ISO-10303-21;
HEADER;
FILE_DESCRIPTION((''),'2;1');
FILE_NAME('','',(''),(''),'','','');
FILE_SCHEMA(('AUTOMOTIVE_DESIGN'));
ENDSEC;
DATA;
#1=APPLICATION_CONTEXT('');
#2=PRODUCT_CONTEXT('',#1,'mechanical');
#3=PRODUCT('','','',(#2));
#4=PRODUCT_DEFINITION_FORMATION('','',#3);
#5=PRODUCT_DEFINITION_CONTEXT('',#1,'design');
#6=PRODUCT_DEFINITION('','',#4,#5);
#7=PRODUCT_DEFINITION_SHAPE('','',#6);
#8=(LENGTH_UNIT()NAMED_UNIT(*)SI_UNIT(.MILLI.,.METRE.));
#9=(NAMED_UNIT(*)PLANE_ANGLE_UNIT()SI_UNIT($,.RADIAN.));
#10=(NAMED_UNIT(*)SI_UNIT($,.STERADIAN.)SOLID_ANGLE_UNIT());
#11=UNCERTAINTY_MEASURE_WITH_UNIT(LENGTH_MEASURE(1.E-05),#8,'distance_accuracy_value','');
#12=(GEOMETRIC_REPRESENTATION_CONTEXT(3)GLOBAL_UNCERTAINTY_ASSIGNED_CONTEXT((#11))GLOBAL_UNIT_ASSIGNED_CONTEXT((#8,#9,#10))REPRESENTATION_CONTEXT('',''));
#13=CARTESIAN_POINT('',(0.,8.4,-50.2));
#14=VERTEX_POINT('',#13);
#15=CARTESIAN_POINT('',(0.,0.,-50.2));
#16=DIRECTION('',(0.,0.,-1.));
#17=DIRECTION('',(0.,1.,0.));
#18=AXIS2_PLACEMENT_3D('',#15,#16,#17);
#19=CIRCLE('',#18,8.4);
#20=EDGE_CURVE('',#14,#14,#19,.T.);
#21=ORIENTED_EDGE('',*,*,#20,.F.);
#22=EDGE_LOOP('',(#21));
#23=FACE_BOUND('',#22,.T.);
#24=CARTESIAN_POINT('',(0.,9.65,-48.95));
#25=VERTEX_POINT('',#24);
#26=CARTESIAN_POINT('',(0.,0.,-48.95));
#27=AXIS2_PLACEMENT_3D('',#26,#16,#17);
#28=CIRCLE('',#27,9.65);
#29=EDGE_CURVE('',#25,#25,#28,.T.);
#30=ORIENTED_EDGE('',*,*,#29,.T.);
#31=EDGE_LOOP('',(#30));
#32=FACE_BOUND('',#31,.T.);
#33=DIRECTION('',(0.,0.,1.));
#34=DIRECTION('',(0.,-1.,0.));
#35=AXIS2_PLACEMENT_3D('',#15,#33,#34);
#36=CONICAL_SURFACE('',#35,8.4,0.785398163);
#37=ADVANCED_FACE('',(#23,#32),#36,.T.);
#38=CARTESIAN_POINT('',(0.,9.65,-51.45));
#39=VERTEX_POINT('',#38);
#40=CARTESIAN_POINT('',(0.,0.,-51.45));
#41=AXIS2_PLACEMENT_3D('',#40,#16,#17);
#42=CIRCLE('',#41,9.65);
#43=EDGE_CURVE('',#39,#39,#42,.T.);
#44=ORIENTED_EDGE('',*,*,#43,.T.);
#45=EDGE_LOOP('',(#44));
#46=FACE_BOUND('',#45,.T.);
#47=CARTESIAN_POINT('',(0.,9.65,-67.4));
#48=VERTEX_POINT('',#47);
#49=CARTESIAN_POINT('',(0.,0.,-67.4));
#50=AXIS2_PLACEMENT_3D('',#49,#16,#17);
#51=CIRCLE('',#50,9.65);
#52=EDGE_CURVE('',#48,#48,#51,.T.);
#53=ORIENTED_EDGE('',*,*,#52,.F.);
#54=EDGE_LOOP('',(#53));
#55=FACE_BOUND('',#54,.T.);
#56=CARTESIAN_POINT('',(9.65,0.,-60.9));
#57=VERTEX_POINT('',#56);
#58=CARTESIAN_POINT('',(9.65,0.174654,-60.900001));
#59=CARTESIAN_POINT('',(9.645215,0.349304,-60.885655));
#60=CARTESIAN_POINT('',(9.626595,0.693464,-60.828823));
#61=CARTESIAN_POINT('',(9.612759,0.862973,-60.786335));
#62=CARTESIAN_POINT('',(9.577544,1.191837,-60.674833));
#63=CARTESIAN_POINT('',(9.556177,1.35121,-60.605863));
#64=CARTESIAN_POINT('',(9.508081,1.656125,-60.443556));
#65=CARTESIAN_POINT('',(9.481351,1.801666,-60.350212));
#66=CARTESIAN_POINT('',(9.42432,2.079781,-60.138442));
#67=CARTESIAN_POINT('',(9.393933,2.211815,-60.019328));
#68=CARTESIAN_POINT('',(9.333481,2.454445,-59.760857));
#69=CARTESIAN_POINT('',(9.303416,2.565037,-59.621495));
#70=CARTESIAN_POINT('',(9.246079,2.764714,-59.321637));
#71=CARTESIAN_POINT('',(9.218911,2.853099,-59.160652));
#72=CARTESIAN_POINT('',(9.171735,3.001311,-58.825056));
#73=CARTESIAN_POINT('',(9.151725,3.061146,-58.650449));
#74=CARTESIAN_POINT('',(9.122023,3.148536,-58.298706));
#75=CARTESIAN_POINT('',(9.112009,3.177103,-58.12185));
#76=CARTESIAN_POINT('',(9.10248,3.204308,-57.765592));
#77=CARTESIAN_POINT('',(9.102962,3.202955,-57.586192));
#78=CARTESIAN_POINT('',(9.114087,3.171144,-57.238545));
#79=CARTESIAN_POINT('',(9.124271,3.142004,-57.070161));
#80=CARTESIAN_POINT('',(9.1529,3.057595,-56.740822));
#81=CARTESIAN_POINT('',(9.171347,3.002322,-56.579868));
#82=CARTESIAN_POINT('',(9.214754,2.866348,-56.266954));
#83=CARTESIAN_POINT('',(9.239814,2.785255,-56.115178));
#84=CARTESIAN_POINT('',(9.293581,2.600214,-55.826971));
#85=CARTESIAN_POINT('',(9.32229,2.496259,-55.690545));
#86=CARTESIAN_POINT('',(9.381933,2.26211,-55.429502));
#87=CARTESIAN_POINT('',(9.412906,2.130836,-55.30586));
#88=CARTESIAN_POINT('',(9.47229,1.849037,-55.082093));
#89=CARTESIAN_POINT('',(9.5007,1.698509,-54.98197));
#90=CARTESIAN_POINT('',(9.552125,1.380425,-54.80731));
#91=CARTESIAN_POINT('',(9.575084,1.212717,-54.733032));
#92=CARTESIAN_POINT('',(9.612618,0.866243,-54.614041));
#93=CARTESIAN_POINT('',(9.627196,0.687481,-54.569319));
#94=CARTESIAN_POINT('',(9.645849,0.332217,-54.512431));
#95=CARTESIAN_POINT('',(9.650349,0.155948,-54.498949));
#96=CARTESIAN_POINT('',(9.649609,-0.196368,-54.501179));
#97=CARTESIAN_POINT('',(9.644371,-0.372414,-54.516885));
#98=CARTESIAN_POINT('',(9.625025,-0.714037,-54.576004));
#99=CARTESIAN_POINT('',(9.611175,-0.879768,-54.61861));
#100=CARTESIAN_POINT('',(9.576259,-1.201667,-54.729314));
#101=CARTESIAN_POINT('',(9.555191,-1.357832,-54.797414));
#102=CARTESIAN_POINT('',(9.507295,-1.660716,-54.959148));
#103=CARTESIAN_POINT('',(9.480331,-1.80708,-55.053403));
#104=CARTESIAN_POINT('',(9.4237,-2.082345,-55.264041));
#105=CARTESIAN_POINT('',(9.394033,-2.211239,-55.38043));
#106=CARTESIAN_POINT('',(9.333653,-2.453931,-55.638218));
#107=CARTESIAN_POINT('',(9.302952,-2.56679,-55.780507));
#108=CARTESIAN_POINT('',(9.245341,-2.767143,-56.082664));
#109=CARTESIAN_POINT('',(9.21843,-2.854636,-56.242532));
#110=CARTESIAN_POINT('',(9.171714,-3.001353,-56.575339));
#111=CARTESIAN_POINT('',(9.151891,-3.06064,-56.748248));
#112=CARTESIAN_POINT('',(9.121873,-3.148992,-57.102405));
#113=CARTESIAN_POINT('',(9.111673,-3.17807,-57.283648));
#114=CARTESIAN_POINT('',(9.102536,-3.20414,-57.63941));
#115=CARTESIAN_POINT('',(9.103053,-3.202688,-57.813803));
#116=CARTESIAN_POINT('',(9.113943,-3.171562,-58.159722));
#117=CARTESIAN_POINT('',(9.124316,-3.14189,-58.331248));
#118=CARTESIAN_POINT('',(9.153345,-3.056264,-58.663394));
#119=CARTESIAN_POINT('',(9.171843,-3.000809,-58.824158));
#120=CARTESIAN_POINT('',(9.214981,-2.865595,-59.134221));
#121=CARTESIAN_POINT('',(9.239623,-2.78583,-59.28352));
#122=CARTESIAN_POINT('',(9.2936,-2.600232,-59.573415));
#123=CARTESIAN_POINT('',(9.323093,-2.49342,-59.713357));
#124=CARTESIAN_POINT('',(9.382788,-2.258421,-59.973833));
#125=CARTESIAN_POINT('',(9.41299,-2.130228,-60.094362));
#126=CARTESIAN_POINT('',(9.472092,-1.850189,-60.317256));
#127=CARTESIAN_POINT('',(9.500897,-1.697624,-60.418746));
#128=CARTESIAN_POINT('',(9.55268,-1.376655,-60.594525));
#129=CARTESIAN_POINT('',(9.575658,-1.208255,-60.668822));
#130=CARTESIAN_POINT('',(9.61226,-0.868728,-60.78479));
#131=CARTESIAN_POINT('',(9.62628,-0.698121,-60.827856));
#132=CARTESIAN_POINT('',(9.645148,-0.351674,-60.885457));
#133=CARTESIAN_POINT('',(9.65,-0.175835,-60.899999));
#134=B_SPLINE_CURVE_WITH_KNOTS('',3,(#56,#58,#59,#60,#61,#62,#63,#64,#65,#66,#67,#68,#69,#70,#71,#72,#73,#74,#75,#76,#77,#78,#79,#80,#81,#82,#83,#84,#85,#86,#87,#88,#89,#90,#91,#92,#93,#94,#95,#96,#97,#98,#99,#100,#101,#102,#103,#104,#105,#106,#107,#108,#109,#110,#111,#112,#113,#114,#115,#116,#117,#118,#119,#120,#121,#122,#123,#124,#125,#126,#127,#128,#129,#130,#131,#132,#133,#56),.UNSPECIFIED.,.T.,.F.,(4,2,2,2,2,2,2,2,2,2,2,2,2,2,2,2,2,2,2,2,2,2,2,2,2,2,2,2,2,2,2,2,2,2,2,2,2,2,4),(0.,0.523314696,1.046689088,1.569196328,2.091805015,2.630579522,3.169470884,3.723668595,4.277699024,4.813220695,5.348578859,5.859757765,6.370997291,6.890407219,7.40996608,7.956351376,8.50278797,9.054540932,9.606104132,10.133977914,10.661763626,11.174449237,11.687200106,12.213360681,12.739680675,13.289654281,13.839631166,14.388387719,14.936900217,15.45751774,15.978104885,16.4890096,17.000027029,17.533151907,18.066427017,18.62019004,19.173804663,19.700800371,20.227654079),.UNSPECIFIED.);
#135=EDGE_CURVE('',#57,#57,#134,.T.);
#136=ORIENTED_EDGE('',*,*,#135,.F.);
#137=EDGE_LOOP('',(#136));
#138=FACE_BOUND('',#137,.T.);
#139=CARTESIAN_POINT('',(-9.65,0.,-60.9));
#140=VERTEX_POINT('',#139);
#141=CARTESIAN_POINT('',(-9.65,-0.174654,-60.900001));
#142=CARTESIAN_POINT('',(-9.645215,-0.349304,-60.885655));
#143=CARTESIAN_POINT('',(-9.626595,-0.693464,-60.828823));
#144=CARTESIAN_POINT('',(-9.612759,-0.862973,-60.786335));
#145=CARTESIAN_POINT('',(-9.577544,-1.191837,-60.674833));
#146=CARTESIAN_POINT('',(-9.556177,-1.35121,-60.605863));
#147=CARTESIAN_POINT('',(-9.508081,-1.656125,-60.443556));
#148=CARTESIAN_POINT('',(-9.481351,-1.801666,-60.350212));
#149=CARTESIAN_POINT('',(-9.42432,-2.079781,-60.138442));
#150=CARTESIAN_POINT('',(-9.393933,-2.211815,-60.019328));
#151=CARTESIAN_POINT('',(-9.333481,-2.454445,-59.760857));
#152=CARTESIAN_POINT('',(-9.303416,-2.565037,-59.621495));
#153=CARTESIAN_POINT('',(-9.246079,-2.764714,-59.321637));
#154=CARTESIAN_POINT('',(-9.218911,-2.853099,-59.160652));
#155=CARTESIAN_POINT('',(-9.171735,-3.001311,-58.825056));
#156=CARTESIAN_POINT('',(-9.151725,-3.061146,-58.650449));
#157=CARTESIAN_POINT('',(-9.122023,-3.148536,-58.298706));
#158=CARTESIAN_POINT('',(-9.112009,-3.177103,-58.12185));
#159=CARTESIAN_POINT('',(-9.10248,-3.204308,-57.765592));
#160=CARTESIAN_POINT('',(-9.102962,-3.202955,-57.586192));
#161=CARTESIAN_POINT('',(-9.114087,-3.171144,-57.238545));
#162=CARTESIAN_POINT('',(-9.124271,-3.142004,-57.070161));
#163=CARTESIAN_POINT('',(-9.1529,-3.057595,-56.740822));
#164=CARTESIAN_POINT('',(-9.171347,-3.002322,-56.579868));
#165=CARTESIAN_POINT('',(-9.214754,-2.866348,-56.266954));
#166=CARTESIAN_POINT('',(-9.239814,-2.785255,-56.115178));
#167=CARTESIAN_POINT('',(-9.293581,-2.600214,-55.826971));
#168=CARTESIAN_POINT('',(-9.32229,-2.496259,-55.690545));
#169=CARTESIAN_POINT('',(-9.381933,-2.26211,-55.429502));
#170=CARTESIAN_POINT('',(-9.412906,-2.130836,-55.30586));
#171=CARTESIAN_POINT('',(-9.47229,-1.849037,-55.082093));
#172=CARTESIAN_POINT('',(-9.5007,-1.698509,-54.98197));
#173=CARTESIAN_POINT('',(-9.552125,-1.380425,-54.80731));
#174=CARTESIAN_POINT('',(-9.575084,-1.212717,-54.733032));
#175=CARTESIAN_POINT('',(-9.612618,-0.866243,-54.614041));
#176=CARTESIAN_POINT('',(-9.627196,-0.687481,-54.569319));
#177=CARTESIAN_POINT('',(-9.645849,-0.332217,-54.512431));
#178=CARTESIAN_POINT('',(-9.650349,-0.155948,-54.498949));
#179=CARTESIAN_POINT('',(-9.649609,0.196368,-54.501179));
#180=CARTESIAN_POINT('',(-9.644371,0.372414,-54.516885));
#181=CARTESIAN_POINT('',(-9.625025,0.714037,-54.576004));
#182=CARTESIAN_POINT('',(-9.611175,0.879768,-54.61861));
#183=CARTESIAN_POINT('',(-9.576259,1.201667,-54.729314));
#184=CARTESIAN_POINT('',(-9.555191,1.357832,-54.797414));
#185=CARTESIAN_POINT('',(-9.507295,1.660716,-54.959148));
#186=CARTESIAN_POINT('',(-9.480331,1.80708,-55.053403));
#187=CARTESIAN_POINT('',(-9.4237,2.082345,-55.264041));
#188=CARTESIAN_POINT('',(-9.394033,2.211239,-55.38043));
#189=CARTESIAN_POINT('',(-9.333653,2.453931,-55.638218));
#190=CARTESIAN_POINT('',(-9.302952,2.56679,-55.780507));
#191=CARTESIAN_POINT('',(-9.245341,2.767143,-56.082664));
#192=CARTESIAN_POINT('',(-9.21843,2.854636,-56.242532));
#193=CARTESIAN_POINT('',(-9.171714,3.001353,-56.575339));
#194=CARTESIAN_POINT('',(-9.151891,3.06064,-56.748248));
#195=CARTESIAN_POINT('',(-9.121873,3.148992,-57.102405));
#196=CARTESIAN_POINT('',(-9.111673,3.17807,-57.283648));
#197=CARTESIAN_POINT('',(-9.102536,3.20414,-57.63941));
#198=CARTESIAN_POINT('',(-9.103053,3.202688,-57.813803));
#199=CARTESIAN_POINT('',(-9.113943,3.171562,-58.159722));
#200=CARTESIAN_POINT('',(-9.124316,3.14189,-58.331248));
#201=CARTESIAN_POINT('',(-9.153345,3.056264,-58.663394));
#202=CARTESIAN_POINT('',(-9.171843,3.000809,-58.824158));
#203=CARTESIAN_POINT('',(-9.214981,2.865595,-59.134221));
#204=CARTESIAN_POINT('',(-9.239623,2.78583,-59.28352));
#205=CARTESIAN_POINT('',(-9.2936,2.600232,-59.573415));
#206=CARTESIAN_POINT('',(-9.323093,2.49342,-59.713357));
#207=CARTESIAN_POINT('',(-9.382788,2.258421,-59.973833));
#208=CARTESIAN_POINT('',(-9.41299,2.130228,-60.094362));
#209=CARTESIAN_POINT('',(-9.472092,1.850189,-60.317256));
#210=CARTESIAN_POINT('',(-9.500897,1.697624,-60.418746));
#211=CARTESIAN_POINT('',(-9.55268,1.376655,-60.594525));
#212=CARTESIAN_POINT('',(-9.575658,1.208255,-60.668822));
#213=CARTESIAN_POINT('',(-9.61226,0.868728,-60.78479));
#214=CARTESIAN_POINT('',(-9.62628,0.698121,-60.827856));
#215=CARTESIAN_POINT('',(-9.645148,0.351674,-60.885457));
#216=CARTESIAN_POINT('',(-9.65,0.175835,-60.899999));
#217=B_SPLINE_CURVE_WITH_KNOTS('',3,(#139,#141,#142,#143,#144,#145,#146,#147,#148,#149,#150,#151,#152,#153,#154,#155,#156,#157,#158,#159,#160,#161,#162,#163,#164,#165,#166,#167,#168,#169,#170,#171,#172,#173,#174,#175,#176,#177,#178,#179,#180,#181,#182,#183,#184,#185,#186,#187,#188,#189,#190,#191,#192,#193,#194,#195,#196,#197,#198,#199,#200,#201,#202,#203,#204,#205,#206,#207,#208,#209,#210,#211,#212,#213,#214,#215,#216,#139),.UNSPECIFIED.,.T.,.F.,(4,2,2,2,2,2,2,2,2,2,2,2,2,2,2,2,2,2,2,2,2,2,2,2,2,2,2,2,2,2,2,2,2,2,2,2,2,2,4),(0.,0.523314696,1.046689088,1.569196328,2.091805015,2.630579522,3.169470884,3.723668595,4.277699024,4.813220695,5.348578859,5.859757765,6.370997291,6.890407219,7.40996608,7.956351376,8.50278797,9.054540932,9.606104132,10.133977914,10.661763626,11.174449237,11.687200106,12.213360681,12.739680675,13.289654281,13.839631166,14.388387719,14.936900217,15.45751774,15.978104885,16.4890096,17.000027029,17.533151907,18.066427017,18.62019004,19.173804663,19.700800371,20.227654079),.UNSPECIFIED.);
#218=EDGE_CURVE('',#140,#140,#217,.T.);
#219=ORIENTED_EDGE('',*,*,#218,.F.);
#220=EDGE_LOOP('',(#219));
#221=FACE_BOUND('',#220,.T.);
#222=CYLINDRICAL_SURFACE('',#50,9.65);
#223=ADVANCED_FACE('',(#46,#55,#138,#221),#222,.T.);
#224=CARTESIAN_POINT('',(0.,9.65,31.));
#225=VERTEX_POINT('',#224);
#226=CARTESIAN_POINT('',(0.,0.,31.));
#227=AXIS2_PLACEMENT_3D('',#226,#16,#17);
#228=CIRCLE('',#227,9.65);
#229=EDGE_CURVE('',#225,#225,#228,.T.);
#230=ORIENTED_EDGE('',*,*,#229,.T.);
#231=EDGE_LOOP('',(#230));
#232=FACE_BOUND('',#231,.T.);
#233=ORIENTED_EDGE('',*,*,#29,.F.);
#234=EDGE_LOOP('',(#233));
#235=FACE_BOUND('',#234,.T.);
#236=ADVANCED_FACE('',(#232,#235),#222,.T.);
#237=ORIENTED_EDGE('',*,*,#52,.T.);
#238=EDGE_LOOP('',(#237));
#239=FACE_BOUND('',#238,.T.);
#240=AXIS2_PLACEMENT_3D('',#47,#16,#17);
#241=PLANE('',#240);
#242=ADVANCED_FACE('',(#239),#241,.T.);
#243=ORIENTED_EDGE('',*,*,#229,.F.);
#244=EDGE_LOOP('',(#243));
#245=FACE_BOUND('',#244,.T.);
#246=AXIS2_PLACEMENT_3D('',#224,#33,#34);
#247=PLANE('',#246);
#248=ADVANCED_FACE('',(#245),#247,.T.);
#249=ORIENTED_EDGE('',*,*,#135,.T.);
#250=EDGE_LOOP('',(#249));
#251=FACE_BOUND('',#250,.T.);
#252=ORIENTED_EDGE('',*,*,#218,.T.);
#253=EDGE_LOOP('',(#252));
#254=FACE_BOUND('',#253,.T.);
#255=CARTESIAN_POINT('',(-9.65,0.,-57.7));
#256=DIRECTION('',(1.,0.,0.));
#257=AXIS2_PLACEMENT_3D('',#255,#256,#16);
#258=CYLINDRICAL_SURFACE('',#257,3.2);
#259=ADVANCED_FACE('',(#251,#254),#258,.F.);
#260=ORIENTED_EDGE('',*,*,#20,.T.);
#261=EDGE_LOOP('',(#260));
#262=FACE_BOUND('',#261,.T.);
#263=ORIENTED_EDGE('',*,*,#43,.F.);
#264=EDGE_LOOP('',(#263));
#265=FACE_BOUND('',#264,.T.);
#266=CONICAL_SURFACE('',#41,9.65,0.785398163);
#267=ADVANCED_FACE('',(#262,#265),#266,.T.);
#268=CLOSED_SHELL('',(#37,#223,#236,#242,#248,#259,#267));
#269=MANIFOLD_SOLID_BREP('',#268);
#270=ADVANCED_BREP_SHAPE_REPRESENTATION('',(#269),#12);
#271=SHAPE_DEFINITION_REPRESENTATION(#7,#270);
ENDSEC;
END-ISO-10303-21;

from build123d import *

# Parameters (mm, degrees)
SKETCH2_R                 = 3.2
FRONT_MOUNTING_DEPTH      = 10.65
FRONT_MOUNTING_DEPTH_BACK = 10.65


with BuildPart() as part:
    # Sketch1 → Body (revolve)
    with BuildSketch(Plane(origin=(0, 0, 0), x_dir=(0, 0, -1), z_dir=(1, 0, 0))):
        Polygon((51.45, 9.65), (50.2, 8.4), (48.95, 9.65), (-31, 9.65), (-31, 0), (67.4, 0), (67.4, 9.65), (57.7, 9.65), align=None)
    revolve(axis=Axis((0, 0, -67.4), (0, 0, 1)))

    # Sketch2 → Front-Mounting (cut, two sides)
    with BuildSketch(Plane(origin=(0, 0, 0), x_dir=(0, 0, -1), z_dir=(1, 0, 0))) as front_mounting_sk:
        with Locations((57.7, 0)):
            Circle(SKETCH2_R)
    extrude(amount=FRONT_MOUNTING_DEPTH, mode=Mode.SUBTRACT)
    extrude(front_mounting_sk.sketch, amount=-FRONT_MOUNTING_DEPTH_BACK, mode=Mode.SUBTRACT)


solid = part.part
